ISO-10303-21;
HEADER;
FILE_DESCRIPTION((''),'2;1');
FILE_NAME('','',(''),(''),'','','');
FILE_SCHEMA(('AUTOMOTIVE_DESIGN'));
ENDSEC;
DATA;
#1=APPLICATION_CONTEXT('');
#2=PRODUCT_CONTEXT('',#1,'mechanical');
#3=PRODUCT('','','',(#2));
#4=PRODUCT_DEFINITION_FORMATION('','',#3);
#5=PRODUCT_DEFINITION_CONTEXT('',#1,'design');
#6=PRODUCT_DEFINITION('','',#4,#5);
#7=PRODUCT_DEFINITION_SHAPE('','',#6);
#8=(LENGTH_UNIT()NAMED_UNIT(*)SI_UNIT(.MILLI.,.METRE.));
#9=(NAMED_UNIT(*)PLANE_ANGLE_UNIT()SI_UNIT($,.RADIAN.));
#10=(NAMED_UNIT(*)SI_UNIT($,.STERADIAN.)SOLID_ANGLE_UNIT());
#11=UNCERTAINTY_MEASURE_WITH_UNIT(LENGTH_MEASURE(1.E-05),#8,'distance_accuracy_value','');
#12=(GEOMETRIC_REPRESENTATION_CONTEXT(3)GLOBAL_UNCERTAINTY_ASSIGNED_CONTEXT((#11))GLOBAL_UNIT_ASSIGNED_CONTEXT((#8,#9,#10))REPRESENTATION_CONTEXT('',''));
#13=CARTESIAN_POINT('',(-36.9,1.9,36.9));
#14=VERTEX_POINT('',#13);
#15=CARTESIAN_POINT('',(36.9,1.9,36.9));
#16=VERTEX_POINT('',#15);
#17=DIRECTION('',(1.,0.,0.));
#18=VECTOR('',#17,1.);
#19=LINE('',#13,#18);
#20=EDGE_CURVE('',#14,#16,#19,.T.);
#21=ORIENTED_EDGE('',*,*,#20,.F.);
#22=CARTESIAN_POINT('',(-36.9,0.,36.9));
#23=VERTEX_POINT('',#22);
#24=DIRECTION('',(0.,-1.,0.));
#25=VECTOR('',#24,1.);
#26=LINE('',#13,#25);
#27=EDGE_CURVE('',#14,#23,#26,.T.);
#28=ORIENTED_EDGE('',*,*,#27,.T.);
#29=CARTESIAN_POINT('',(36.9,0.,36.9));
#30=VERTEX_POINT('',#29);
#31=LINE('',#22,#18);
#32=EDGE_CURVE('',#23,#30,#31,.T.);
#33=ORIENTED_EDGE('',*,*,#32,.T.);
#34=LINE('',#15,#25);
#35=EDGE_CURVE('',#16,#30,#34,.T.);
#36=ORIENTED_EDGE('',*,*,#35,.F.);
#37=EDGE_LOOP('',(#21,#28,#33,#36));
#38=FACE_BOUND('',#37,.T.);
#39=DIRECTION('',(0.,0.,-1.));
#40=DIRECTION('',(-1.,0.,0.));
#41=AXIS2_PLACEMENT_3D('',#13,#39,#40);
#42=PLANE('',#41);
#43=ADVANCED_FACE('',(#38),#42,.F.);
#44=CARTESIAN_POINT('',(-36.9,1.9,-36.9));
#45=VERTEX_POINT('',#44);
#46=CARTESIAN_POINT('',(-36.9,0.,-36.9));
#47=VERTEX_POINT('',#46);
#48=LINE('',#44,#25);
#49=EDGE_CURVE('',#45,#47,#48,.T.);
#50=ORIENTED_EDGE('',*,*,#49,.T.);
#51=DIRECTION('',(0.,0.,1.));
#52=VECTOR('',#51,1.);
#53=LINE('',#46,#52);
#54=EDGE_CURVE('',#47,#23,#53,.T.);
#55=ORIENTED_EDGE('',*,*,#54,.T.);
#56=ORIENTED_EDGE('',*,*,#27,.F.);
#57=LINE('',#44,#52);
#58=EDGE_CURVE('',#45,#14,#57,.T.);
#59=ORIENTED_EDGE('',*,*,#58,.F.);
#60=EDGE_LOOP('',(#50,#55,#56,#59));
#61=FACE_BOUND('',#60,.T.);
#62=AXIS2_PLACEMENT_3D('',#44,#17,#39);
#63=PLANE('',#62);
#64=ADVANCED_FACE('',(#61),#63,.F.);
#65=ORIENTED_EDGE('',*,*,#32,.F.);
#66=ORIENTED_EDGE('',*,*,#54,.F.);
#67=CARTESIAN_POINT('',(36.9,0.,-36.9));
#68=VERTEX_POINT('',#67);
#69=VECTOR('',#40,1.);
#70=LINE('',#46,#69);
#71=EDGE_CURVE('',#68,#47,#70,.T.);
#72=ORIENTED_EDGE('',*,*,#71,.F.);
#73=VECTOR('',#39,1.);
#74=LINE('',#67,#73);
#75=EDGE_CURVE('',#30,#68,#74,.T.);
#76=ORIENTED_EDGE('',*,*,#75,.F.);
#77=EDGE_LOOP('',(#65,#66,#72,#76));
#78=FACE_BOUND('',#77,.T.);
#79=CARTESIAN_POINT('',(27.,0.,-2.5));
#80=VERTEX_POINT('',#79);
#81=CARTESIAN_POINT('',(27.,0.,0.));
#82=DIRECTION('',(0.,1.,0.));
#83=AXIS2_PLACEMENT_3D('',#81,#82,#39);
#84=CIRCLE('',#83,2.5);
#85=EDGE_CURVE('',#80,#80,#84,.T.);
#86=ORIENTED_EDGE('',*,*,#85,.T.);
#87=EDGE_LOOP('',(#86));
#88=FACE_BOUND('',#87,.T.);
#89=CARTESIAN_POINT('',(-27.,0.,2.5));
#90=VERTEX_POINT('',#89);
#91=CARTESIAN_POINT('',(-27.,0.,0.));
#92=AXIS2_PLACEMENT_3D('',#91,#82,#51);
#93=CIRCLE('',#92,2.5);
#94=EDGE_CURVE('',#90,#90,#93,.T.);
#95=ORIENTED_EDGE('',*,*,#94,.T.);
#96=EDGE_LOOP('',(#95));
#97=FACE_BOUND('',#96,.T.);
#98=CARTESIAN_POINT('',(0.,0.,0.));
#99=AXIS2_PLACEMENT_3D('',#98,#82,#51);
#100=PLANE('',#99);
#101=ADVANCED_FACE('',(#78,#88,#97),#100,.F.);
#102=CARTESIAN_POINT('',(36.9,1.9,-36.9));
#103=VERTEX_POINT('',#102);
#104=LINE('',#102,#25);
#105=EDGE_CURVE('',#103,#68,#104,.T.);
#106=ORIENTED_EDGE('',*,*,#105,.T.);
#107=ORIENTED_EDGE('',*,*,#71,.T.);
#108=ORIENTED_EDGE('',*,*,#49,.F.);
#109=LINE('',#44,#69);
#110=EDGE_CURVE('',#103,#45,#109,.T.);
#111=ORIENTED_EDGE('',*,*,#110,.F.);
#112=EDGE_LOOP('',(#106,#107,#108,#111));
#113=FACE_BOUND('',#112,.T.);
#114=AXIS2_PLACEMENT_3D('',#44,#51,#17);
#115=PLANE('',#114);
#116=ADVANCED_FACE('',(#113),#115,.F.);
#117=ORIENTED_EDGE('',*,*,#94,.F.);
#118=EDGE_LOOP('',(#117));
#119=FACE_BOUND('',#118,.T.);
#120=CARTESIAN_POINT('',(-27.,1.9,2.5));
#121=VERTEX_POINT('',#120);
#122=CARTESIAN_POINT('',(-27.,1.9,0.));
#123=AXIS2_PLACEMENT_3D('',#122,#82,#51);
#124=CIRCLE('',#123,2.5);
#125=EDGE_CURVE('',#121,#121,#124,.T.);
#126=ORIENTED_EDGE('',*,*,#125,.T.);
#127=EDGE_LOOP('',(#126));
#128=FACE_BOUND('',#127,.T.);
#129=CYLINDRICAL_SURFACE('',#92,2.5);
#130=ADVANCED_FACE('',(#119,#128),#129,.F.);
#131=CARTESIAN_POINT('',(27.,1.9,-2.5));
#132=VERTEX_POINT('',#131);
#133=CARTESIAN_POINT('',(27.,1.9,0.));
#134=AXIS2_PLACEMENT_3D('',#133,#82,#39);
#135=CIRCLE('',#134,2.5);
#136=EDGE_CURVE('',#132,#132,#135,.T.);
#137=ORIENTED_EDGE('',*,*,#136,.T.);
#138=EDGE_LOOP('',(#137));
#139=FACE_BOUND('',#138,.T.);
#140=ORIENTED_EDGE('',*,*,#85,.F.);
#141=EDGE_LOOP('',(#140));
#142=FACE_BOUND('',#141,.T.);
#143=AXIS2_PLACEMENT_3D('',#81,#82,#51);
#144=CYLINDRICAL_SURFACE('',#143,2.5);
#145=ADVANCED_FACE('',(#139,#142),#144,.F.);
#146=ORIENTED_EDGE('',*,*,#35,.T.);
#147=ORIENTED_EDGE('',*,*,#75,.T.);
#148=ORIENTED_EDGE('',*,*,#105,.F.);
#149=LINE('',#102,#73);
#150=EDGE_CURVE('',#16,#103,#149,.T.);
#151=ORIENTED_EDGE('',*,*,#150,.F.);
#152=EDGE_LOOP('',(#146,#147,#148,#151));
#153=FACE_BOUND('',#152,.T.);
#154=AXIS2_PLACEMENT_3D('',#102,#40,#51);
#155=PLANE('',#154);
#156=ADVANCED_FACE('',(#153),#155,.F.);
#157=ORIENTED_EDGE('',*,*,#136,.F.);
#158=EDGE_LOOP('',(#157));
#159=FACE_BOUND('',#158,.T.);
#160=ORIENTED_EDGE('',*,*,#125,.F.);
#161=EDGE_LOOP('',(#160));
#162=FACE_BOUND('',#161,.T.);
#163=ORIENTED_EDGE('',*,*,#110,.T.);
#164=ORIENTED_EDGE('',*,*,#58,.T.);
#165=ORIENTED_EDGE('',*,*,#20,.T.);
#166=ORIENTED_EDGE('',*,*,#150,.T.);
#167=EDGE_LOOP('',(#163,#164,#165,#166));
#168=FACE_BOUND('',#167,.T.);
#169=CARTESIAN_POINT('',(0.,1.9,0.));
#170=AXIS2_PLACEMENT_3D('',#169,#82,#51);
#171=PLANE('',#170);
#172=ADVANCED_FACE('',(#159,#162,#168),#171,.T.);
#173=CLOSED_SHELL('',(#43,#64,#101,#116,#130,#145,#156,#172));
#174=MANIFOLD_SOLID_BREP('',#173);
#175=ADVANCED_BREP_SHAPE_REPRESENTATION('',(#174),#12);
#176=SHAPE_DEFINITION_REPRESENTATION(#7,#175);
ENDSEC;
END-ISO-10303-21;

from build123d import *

# Parameters (mm, degrees)
CROQUIS1_W                 = 73.8
CROQUIS1_H                 = 73.8
SALIENTE_EXTRUIR3_DEPTH    = 1.9
CROQUIS2_R                 = 2.5
CORTAR_EXTRUIR1_DEPTH      = 1
CORTAR_EXTRUIR1_DEPTH_BACK = 2.9


with BuildPart() as part:
    # Croquis1 → Saliente-Extruir3 (new body)
    with BuildSketch(Plane(origin=(0, 0, 0), x_dir=(1, 0, 0), z_dir=(0, 1, 0))):
        Rectangle(CROQUIS1_W, CROQUIS1_H)
    extrude(amount=SALIENTE_EXTRUIR3_DEPTH)

    # Croquis2 → Cortar-Extruir1 (cut, two sides)
    with BuildSketch(Plane(origin=(0, 1.9, 0), x_dir=(1, 0, 0), z_dir=(0, 1, 0))) as cortar_extruir1_sk:
        with Locations((-27, 0)):
            Circle(CROQUIS2_R)
        with Locations((27, 0)):
            Circle(CROQUIS2_R)
    extrude(amount=CORTAR_EXTRUIR1_DEPTH, mode=Mode.SUBTRACT)
    extrude(cortar_extruir1_sk.sketch, amount=-CORTAR_EXTRUIR1_DEPTH_BACK, mode=Mode.SUBTRACT)


solid = part.part
